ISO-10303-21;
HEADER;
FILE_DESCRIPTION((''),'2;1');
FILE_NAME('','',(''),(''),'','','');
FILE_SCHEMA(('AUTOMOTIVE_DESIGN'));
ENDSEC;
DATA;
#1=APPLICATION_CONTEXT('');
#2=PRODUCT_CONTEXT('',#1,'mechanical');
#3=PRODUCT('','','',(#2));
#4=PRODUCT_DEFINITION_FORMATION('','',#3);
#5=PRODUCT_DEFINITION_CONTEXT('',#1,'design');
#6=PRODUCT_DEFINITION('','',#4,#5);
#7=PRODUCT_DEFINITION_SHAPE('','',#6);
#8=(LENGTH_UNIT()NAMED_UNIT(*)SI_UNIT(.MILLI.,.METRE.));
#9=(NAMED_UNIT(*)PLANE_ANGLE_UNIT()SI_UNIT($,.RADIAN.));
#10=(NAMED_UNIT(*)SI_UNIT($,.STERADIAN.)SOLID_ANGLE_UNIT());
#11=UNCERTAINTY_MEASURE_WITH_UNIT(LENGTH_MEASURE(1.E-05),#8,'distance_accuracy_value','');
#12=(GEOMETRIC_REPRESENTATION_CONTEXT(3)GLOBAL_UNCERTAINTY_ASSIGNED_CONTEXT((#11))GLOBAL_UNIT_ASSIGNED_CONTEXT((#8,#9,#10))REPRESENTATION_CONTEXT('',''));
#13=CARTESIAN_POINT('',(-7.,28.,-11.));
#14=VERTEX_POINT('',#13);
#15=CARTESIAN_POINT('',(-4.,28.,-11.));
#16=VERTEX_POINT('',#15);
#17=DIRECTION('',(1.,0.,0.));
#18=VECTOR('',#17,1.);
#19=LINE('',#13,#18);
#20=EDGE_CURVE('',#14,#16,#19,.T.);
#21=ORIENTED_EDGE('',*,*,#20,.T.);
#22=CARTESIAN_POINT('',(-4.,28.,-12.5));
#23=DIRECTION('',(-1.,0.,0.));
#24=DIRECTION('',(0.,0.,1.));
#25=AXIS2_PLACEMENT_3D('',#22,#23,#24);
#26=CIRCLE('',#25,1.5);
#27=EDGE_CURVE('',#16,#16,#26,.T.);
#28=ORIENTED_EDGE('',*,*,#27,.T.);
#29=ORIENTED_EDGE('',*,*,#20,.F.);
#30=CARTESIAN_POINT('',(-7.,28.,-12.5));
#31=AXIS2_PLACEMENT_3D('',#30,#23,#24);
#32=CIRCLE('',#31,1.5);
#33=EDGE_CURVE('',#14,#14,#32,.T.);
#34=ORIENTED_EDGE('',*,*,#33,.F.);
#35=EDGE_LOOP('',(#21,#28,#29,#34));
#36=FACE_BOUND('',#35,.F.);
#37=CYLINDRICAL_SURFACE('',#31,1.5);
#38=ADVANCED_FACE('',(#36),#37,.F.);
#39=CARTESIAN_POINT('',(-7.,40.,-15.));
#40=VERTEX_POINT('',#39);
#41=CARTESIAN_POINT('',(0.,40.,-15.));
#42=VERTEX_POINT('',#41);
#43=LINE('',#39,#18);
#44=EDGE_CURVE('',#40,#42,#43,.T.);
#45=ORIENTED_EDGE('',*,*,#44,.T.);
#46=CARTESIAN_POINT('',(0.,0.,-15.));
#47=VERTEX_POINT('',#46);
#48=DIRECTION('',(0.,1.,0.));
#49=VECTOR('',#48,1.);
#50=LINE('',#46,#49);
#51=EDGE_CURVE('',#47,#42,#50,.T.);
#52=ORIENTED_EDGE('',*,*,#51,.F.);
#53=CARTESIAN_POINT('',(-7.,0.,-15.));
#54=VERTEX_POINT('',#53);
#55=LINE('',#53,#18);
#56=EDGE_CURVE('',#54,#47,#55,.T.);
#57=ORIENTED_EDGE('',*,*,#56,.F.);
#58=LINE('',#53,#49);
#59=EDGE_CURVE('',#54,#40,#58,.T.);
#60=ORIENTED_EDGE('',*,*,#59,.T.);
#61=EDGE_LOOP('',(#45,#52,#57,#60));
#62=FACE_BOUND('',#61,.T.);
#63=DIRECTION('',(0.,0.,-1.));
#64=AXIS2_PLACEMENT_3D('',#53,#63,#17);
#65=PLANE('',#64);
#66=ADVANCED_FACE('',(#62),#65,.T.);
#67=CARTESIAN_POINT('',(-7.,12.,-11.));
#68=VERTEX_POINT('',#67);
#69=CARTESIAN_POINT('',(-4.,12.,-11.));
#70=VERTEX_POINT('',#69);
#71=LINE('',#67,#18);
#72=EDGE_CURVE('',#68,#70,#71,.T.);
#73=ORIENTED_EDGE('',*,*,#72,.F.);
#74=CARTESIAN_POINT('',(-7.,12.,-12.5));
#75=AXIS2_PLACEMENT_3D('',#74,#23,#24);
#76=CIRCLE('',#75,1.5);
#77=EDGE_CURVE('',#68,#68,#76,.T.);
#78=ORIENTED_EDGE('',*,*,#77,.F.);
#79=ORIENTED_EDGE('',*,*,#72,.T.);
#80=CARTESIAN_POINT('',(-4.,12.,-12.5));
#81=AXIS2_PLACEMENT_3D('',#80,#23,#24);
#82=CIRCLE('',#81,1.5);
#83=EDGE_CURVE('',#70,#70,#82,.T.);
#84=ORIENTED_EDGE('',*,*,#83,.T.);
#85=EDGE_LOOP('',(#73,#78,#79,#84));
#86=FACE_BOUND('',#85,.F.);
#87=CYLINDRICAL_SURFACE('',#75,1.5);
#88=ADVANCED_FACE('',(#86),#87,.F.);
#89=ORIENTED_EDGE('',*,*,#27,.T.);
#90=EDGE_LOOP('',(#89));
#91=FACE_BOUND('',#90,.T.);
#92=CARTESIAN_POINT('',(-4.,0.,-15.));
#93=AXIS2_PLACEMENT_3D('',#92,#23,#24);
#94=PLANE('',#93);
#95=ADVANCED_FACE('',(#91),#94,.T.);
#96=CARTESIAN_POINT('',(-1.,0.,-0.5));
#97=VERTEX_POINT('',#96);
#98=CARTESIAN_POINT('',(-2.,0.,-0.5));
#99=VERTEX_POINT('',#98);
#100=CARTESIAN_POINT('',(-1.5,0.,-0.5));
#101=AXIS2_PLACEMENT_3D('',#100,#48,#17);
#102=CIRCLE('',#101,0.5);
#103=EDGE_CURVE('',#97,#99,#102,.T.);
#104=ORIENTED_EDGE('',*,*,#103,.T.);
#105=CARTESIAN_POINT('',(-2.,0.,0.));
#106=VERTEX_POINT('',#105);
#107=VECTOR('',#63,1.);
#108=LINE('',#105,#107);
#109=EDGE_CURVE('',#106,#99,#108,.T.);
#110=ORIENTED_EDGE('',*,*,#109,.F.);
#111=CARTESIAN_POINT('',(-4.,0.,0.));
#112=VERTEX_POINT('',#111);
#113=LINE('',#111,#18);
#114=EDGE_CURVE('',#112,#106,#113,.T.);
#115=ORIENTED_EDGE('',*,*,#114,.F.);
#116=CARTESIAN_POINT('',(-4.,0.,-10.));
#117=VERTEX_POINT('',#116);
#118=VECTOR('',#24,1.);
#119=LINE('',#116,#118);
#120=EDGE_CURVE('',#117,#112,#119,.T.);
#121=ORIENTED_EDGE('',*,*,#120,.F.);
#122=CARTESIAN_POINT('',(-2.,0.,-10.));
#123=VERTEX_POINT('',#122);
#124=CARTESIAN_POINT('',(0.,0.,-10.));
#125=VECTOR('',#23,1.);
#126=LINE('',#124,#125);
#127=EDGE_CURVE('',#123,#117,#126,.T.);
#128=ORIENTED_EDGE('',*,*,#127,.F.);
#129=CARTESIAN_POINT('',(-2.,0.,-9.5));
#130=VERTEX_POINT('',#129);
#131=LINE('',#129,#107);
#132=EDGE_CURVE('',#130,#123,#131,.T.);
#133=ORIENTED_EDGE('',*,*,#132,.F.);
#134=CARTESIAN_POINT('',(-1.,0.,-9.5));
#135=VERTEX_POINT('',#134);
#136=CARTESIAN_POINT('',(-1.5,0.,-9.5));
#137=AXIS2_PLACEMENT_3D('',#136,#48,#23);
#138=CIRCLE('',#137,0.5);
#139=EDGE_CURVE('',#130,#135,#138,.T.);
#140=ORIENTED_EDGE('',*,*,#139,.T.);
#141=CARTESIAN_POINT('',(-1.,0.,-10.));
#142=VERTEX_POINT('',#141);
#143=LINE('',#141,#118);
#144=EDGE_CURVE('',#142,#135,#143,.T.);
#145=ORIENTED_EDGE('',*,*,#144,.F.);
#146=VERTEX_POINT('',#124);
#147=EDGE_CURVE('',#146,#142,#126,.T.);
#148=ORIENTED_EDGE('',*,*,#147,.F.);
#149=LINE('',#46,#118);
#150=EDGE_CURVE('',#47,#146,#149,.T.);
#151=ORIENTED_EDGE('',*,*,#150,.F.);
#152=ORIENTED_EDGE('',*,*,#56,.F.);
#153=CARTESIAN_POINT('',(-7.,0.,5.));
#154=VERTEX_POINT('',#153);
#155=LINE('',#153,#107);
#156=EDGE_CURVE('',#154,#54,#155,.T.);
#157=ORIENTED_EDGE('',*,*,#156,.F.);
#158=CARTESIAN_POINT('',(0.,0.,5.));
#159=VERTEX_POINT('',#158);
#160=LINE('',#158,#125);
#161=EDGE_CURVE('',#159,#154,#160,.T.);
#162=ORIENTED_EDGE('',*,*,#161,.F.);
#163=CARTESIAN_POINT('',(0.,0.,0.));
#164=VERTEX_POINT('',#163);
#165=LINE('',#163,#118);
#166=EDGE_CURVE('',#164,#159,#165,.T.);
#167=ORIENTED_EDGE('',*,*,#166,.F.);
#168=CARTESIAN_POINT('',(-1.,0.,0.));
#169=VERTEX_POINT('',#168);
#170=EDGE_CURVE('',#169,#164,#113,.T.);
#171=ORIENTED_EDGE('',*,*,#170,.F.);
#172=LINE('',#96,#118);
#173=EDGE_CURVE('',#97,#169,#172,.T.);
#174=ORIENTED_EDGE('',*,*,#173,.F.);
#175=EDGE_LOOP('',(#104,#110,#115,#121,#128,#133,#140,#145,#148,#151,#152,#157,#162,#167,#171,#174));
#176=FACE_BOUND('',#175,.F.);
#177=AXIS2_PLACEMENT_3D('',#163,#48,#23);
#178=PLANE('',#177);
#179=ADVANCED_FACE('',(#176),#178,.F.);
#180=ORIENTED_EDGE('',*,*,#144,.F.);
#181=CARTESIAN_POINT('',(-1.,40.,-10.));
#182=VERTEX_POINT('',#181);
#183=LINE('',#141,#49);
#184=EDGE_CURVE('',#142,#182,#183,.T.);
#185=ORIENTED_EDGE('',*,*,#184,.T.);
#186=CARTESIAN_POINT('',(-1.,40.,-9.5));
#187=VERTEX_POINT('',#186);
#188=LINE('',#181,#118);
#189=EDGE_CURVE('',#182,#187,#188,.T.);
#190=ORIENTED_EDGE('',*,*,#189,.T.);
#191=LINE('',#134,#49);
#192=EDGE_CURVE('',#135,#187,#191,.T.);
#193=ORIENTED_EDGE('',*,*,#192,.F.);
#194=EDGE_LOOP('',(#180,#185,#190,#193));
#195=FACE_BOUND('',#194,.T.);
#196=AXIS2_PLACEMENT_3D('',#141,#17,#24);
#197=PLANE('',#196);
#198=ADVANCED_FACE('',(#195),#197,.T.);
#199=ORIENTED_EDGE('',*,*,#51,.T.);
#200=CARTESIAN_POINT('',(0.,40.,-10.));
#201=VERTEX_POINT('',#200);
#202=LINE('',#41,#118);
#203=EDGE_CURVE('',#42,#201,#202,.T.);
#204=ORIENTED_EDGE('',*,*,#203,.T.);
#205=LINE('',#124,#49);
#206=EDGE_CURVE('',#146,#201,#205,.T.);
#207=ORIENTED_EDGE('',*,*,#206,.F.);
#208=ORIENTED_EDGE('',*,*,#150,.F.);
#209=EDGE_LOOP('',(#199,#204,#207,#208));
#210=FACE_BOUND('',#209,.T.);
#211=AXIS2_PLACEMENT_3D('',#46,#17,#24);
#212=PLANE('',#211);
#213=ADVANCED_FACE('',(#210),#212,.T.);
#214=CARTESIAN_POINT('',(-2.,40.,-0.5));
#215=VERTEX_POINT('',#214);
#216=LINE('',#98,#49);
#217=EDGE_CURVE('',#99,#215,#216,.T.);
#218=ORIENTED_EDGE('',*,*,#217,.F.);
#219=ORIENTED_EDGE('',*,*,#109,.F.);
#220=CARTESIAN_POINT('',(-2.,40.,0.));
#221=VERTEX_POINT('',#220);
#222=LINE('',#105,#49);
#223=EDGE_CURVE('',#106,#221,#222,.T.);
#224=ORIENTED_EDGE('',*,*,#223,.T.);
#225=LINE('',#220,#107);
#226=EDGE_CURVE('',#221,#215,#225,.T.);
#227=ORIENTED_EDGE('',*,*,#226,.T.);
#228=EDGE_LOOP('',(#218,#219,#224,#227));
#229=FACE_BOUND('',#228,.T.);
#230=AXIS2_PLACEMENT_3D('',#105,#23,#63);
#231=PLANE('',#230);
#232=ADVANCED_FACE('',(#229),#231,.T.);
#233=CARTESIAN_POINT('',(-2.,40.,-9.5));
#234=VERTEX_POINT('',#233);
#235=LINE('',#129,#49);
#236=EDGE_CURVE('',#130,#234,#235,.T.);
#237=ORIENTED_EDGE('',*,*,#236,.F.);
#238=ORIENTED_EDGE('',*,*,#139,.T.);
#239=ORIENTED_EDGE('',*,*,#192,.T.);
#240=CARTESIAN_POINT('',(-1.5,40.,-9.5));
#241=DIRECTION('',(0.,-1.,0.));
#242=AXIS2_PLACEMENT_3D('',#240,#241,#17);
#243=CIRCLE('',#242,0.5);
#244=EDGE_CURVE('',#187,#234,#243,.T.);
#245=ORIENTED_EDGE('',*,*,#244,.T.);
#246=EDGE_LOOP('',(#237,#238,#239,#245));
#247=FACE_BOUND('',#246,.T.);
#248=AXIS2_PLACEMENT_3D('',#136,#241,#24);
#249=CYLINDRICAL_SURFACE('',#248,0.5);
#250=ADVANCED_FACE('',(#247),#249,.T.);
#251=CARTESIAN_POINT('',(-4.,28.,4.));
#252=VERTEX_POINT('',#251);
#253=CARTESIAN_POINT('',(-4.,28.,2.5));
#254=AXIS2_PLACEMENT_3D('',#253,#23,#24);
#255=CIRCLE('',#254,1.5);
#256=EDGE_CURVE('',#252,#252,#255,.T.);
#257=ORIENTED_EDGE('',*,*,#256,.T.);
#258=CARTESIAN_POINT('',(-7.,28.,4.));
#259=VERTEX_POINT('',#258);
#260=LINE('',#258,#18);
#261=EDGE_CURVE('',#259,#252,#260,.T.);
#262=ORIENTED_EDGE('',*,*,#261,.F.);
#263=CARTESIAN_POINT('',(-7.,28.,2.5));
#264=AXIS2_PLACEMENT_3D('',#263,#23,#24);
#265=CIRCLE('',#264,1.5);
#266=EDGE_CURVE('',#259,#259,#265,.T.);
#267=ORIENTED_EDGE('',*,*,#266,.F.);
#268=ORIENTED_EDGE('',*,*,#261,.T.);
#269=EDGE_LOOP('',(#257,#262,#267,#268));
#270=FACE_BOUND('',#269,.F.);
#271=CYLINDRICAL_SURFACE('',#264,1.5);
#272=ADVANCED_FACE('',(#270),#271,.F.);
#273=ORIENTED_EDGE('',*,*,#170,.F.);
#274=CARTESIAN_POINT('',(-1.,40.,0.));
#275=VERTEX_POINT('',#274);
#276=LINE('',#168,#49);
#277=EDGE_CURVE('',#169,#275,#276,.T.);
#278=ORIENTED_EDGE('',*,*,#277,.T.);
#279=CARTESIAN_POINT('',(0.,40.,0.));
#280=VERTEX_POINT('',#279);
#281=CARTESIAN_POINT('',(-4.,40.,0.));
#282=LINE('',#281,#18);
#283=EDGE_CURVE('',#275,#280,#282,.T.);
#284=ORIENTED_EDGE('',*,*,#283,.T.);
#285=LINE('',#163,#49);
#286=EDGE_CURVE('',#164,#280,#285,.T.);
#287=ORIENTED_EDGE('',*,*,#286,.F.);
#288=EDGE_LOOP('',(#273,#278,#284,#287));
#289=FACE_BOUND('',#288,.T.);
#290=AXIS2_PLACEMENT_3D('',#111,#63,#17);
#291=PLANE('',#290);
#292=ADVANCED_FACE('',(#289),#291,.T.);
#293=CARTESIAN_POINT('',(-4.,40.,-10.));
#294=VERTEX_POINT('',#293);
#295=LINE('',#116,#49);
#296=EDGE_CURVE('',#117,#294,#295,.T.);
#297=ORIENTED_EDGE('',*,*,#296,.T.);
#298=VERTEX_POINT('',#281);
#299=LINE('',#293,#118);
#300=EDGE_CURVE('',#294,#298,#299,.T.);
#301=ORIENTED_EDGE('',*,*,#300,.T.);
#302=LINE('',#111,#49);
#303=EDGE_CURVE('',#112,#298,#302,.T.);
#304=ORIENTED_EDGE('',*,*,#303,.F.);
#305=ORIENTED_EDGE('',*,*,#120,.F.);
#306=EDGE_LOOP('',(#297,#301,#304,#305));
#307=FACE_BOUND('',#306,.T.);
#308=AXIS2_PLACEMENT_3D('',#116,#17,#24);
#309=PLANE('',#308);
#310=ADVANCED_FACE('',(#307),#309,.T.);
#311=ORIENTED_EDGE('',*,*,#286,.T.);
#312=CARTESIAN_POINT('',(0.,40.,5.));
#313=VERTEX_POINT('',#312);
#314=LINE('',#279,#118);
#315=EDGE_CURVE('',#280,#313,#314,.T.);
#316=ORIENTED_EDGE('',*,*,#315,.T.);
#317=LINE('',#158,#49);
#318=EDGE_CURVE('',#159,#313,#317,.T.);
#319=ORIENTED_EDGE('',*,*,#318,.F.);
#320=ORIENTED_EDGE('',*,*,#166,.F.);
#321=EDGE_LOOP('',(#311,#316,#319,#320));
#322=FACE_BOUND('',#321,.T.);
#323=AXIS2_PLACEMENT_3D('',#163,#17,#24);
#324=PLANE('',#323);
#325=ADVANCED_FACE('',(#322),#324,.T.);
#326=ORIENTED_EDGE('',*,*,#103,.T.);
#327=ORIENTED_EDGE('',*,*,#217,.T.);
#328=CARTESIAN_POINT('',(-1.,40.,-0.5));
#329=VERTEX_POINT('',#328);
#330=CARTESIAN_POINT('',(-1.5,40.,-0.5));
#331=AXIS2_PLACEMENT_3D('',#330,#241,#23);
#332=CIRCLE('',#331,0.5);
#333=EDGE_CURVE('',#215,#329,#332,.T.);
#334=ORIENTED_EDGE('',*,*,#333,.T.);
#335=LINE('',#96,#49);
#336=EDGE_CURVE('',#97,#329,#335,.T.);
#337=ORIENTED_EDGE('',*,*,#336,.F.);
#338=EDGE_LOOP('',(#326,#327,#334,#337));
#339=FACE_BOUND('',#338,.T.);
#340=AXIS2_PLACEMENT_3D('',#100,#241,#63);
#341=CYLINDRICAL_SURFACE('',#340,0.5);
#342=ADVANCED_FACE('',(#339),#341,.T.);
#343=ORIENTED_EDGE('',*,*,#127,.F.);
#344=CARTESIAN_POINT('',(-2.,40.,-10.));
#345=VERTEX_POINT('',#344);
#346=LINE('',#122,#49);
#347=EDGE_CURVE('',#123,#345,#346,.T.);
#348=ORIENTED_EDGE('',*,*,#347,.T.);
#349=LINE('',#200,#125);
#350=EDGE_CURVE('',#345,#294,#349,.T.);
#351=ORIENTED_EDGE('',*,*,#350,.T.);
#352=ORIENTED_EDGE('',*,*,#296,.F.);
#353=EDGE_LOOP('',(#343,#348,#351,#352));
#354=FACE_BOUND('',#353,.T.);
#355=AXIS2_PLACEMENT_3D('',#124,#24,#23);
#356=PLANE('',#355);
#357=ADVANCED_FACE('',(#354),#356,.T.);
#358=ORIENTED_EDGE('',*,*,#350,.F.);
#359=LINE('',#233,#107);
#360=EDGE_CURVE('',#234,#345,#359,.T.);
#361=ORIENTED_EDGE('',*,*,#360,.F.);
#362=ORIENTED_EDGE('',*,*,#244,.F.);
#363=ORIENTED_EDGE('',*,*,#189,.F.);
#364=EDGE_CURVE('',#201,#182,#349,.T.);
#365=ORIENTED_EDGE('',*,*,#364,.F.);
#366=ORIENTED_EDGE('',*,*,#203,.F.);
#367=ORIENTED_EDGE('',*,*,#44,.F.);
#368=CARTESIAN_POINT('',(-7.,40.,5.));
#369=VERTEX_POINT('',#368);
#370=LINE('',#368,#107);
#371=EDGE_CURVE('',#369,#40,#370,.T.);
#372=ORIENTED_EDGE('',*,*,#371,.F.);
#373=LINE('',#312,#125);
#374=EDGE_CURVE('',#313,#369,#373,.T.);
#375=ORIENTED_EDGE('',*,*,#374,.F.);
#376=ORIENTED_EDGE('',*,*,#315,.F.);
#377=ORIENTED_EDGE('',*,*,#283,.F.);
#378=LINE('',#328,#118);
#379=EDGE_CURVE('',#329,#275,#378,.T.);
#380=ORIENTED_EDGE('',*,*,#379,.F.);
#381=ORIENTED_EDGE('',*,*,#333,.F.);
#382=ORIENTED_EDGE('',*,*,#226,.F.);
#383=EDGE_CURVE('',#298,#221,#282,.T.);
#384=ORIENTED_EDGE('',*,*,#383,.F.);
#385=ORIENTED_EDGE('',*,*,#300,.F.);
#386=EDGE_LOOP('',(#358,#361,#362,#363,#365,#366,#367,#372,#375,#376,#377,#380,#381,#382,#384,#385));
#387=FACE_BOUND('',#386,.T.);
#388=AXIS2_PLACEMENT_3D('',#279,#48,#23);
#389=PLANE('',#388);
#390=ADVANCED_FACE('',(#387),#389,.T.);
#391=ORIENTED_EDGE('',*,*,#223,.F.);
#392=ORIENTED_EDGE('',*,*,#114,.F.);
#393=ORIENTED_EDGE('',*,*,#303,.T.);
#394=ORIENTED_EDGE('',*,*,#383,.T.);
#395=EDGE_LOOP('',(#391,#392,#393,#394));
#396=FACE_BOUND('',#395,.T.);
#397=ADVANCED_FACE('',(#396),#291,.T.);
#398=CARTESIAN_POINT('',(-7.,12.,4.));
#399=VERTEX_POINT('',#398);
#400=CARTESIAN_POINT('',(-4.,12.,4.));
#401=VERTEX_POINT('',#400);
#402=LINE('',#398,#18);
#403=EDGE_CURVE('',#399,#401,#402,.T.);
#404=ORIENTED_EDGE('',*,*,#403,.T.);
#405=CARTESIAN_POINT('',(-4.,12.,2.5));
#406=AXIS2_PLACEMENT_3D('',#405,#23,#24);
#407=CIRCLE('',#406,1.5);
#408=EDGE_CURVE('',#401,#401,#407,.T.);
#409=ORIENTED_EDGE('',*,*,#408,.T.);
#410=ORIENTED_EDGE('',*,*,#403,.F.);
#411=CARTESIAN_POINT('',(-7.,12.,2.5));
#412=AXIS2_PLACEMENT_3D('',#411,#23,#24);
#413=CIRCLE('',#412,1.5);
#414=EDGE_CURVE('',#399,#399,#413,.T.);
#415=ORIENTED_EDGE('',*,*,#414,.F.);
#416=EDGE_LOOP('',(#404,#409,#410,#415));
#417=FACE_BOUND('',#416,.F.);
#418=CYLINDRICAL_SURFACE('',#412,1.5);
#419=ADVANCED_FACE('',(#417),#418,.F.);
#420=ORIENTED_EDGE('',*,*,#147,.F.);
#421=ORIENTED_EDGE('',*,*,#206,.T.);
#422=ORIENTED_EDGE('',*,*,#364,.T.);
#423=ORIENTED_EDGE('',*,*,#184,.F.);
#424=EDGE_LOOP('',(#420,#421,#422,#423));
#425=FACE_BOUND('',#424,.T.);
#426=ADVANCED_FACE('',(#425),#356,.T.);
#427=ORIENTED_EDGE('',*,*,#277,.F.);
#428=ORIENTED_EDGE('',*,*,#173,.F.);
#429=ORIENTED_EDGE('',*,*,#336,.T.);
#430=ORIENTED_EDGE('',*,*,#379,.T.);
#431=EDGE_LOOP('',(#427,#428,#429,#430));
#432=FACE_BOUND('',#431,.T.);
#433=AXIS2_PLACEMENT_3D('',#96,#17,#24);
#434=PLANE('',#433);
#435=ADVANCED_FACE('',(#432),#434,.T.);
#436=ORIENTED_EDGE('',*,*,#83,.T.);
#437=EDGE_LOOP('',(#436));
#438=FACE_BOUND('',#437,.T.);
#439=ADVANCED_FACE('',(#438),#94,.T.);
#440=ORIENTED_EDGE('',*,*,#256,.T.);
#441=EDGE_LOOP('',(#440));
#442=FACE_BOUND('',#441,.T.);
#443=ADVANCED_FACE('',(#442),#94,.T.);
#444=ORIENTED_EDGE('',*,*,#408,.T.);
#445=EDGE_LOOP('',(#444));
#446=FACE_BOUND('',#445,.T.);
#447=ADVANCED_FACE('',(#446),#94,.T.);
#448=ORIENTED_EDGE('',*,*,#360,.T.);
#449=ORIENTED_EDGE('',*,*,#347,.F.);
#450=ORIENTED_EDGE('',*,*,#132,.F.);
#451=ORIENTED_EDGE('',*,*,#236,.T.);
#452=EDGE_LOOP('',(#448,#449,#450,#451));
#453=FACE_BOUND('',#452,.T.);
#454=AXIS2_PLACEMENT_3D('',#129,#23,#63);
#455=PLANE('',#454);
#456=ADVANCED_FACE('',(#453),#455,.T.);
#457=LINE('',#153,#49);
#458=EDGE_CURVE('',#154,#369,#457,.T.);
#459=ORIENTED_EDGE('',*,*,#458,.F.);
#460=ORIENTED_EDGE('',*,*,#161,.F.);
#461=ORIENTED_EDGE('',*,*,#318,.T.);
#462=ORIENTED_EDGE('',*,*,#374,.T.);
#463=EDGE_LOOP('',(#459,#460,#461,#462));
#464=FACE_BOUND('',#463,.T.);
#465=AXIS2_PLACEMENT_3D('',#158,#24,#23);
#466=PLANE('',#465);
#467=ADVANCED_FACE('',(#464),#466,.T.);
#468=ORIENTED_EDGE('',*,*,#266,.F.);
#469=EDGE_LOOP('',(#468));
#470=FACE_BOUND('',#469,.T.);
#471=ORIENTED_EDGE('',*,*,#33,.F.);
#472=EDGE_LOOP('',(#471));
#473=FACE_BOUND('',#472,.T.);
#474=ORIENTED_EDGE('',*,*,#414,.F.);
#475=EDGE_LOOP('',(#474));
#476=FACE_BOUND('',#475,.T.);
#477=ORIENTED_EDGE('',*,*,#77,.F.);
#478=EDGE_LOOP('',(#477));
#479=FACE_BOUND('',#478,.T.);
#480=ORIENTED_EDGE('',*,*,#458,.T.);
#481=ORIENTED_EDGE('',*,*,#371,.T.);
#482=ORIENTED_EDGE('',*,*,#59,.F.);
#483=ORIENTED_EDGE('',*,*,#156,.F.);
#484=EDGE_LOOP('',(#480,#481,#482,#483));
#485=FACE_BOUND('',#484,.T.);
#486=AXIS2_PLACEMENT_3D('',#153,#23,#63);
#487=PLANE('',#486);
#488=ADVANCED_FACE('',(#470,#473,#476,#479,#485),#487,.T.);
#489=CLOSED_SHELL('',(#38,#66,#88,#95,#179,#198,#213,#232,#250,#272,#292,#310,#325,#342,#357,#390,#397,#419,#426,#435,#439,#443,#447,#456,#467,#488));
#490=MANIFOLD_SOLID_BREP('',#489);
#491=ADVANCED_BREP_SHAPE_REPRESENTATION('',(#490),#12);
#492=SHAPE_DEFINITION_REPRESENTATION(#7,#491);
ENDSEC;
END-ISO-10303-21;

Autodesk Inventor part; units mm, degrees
ref_plane "YZ Plane" through (0, 0, 0) normal (1, 0, 0) x (0, 1, 0)
ref_plane "XZ Plane" through (0, 0, 0) normal (0, 1, 0) x (-1, 0, 0)
ref_plane "XY Plane" through (0, 0, 0) normal (0, 0, 1) x (1, 0, 0)
sketch "Sketch1" plane through (0, 0, 0) normal (0, 1, 0) x (-1, 0, 0)
  line L0 (0, 0) -> (0, 5)
  line L1 (0, 5) -> (7, 5)
  line L2 (7, 5) -> (7, -15)
  line L3 (7, -15) -> (0, -15)
  line L4 (0, -15) -> (0, -10)
  line L5 (0, -10) -> (4, -10)
  line L6 (4, -10) -> (4, 0)
  line L7 (4, 0) -> (0, 0)
  dimension "d0" = 5
  dimension "d1" = 7
  dimension "d2" = 20
  dimension "d3" = 7
  dimension "d4" = 5
  dimension "d5" = 4
  dimension "d6" = 10
extrude "Extrusion1" add sketch "Sketch1" along normal blind 40
sketch "Sketch2" plane through (-7, 0, -15) normal (-1, 0, 0) x (0, 0, 1)
  line L0 (5, 0) -> (5, 40) projected
  line L1 (15, 0) -> (15, 40) projected
  point P0 (15, 20)
  point P1 (10, 10)
  point P2 (10, 30)
  dimension "d9" = 5
  dimension "d10" = 10
  dimension "d11" = 20
  dimension "d12" = 10
sketch "Sketch5" plane through (0, 0, 0) normal (0, -1, 0) x (1, 0, 0)
  line L0 (-1, -10) -> (-1, -9.5)
  line L1 (-1.5, -9) -> (-1.5, -9)
  line L2 (-2, -9.5) -> (-2, -10)
  line L3 (-2, -10) -> (-1, -10)
  line L4 (-1, -0.5) -> (-1, 0)
  line L5 (-1, 0) -> (-2, 0)
  line L6 (-2, 0) -> (-2, -0.5)
  line L7 (-1.5, -1) -> (-1.5, -1)
  arc A0 (-1.5, -9) -> (-2, -9.5) centre (-1.5, -9.5) ccw
  arc A1 (-1, -9.5) -> (-1.5, -9) centre (-1.5, -9.5) ccw
  arc A2 (-2, -0.5) -> (-1.5, -1) centre (-1.5, -0.5) ccw
  arc A3 (-1.5, -1) -> (-1, -0.5) centre (-1.5, -0.5) ccw
  point P0 (0, 0)
  point P1 (-1, -9)
  point P2 (-2, -9)
  point P3 (-1, -1)
  point P4 (-2, -1)
  point P5 (-1.5, 0)
  point P6 (-1.5, -10)
  point P7 (0, -10)
  dimension "d35" = 1
  dimension "d36" = 1
  dimension "d37" = 1
  dimension "d38" = 1
  dimension "d39" = 1
  dimension "d40" = 1
  dimension "d41" = 0.5
  dimension "d42" = 1
  dimension "d43" = 1
extrude "Extrusion2" add sketch "Sketch5" against normal blind 40
sketch "Sketch10" plane through (-7, 0, -15) normal (-1, 0, 0) x (0, 0, 1)
  circle A0 centre (2.5, 12) radius 1.5
  circle A1 centre (2.5, 28) radius 1.5
  circle A2 centre (17.5, 12) radius 1.5
  circle A3 centre (17.5, 28) radius 1.5
  line L0 (20, 0) -> (0, 0) projected
  line L1 (0, 0) -> (0, 40) projected
  point P0 (15, 0)
  dimension "d72" = 3
  dimension "d73" = 3
  dimension "d74" = 3
  dimension "d75" = 3
  dimension "d76" = 16
  dimension "d77" = 15
  dimension "d78" = 15
  dimension "d79" = 16
  dimension "d81" = 2.5
  dimension "d82" = 12
extrude "Extrusion6" cut sketch "Sketch10" against normal blind 3
sketch "Sketch4" plane through (-4, 0, 0) normal (1, 0, 0) x (0, 0, -1)
  point P0 (5, 30)
  point P1 (5, 10)
properties part number "Karetka"
